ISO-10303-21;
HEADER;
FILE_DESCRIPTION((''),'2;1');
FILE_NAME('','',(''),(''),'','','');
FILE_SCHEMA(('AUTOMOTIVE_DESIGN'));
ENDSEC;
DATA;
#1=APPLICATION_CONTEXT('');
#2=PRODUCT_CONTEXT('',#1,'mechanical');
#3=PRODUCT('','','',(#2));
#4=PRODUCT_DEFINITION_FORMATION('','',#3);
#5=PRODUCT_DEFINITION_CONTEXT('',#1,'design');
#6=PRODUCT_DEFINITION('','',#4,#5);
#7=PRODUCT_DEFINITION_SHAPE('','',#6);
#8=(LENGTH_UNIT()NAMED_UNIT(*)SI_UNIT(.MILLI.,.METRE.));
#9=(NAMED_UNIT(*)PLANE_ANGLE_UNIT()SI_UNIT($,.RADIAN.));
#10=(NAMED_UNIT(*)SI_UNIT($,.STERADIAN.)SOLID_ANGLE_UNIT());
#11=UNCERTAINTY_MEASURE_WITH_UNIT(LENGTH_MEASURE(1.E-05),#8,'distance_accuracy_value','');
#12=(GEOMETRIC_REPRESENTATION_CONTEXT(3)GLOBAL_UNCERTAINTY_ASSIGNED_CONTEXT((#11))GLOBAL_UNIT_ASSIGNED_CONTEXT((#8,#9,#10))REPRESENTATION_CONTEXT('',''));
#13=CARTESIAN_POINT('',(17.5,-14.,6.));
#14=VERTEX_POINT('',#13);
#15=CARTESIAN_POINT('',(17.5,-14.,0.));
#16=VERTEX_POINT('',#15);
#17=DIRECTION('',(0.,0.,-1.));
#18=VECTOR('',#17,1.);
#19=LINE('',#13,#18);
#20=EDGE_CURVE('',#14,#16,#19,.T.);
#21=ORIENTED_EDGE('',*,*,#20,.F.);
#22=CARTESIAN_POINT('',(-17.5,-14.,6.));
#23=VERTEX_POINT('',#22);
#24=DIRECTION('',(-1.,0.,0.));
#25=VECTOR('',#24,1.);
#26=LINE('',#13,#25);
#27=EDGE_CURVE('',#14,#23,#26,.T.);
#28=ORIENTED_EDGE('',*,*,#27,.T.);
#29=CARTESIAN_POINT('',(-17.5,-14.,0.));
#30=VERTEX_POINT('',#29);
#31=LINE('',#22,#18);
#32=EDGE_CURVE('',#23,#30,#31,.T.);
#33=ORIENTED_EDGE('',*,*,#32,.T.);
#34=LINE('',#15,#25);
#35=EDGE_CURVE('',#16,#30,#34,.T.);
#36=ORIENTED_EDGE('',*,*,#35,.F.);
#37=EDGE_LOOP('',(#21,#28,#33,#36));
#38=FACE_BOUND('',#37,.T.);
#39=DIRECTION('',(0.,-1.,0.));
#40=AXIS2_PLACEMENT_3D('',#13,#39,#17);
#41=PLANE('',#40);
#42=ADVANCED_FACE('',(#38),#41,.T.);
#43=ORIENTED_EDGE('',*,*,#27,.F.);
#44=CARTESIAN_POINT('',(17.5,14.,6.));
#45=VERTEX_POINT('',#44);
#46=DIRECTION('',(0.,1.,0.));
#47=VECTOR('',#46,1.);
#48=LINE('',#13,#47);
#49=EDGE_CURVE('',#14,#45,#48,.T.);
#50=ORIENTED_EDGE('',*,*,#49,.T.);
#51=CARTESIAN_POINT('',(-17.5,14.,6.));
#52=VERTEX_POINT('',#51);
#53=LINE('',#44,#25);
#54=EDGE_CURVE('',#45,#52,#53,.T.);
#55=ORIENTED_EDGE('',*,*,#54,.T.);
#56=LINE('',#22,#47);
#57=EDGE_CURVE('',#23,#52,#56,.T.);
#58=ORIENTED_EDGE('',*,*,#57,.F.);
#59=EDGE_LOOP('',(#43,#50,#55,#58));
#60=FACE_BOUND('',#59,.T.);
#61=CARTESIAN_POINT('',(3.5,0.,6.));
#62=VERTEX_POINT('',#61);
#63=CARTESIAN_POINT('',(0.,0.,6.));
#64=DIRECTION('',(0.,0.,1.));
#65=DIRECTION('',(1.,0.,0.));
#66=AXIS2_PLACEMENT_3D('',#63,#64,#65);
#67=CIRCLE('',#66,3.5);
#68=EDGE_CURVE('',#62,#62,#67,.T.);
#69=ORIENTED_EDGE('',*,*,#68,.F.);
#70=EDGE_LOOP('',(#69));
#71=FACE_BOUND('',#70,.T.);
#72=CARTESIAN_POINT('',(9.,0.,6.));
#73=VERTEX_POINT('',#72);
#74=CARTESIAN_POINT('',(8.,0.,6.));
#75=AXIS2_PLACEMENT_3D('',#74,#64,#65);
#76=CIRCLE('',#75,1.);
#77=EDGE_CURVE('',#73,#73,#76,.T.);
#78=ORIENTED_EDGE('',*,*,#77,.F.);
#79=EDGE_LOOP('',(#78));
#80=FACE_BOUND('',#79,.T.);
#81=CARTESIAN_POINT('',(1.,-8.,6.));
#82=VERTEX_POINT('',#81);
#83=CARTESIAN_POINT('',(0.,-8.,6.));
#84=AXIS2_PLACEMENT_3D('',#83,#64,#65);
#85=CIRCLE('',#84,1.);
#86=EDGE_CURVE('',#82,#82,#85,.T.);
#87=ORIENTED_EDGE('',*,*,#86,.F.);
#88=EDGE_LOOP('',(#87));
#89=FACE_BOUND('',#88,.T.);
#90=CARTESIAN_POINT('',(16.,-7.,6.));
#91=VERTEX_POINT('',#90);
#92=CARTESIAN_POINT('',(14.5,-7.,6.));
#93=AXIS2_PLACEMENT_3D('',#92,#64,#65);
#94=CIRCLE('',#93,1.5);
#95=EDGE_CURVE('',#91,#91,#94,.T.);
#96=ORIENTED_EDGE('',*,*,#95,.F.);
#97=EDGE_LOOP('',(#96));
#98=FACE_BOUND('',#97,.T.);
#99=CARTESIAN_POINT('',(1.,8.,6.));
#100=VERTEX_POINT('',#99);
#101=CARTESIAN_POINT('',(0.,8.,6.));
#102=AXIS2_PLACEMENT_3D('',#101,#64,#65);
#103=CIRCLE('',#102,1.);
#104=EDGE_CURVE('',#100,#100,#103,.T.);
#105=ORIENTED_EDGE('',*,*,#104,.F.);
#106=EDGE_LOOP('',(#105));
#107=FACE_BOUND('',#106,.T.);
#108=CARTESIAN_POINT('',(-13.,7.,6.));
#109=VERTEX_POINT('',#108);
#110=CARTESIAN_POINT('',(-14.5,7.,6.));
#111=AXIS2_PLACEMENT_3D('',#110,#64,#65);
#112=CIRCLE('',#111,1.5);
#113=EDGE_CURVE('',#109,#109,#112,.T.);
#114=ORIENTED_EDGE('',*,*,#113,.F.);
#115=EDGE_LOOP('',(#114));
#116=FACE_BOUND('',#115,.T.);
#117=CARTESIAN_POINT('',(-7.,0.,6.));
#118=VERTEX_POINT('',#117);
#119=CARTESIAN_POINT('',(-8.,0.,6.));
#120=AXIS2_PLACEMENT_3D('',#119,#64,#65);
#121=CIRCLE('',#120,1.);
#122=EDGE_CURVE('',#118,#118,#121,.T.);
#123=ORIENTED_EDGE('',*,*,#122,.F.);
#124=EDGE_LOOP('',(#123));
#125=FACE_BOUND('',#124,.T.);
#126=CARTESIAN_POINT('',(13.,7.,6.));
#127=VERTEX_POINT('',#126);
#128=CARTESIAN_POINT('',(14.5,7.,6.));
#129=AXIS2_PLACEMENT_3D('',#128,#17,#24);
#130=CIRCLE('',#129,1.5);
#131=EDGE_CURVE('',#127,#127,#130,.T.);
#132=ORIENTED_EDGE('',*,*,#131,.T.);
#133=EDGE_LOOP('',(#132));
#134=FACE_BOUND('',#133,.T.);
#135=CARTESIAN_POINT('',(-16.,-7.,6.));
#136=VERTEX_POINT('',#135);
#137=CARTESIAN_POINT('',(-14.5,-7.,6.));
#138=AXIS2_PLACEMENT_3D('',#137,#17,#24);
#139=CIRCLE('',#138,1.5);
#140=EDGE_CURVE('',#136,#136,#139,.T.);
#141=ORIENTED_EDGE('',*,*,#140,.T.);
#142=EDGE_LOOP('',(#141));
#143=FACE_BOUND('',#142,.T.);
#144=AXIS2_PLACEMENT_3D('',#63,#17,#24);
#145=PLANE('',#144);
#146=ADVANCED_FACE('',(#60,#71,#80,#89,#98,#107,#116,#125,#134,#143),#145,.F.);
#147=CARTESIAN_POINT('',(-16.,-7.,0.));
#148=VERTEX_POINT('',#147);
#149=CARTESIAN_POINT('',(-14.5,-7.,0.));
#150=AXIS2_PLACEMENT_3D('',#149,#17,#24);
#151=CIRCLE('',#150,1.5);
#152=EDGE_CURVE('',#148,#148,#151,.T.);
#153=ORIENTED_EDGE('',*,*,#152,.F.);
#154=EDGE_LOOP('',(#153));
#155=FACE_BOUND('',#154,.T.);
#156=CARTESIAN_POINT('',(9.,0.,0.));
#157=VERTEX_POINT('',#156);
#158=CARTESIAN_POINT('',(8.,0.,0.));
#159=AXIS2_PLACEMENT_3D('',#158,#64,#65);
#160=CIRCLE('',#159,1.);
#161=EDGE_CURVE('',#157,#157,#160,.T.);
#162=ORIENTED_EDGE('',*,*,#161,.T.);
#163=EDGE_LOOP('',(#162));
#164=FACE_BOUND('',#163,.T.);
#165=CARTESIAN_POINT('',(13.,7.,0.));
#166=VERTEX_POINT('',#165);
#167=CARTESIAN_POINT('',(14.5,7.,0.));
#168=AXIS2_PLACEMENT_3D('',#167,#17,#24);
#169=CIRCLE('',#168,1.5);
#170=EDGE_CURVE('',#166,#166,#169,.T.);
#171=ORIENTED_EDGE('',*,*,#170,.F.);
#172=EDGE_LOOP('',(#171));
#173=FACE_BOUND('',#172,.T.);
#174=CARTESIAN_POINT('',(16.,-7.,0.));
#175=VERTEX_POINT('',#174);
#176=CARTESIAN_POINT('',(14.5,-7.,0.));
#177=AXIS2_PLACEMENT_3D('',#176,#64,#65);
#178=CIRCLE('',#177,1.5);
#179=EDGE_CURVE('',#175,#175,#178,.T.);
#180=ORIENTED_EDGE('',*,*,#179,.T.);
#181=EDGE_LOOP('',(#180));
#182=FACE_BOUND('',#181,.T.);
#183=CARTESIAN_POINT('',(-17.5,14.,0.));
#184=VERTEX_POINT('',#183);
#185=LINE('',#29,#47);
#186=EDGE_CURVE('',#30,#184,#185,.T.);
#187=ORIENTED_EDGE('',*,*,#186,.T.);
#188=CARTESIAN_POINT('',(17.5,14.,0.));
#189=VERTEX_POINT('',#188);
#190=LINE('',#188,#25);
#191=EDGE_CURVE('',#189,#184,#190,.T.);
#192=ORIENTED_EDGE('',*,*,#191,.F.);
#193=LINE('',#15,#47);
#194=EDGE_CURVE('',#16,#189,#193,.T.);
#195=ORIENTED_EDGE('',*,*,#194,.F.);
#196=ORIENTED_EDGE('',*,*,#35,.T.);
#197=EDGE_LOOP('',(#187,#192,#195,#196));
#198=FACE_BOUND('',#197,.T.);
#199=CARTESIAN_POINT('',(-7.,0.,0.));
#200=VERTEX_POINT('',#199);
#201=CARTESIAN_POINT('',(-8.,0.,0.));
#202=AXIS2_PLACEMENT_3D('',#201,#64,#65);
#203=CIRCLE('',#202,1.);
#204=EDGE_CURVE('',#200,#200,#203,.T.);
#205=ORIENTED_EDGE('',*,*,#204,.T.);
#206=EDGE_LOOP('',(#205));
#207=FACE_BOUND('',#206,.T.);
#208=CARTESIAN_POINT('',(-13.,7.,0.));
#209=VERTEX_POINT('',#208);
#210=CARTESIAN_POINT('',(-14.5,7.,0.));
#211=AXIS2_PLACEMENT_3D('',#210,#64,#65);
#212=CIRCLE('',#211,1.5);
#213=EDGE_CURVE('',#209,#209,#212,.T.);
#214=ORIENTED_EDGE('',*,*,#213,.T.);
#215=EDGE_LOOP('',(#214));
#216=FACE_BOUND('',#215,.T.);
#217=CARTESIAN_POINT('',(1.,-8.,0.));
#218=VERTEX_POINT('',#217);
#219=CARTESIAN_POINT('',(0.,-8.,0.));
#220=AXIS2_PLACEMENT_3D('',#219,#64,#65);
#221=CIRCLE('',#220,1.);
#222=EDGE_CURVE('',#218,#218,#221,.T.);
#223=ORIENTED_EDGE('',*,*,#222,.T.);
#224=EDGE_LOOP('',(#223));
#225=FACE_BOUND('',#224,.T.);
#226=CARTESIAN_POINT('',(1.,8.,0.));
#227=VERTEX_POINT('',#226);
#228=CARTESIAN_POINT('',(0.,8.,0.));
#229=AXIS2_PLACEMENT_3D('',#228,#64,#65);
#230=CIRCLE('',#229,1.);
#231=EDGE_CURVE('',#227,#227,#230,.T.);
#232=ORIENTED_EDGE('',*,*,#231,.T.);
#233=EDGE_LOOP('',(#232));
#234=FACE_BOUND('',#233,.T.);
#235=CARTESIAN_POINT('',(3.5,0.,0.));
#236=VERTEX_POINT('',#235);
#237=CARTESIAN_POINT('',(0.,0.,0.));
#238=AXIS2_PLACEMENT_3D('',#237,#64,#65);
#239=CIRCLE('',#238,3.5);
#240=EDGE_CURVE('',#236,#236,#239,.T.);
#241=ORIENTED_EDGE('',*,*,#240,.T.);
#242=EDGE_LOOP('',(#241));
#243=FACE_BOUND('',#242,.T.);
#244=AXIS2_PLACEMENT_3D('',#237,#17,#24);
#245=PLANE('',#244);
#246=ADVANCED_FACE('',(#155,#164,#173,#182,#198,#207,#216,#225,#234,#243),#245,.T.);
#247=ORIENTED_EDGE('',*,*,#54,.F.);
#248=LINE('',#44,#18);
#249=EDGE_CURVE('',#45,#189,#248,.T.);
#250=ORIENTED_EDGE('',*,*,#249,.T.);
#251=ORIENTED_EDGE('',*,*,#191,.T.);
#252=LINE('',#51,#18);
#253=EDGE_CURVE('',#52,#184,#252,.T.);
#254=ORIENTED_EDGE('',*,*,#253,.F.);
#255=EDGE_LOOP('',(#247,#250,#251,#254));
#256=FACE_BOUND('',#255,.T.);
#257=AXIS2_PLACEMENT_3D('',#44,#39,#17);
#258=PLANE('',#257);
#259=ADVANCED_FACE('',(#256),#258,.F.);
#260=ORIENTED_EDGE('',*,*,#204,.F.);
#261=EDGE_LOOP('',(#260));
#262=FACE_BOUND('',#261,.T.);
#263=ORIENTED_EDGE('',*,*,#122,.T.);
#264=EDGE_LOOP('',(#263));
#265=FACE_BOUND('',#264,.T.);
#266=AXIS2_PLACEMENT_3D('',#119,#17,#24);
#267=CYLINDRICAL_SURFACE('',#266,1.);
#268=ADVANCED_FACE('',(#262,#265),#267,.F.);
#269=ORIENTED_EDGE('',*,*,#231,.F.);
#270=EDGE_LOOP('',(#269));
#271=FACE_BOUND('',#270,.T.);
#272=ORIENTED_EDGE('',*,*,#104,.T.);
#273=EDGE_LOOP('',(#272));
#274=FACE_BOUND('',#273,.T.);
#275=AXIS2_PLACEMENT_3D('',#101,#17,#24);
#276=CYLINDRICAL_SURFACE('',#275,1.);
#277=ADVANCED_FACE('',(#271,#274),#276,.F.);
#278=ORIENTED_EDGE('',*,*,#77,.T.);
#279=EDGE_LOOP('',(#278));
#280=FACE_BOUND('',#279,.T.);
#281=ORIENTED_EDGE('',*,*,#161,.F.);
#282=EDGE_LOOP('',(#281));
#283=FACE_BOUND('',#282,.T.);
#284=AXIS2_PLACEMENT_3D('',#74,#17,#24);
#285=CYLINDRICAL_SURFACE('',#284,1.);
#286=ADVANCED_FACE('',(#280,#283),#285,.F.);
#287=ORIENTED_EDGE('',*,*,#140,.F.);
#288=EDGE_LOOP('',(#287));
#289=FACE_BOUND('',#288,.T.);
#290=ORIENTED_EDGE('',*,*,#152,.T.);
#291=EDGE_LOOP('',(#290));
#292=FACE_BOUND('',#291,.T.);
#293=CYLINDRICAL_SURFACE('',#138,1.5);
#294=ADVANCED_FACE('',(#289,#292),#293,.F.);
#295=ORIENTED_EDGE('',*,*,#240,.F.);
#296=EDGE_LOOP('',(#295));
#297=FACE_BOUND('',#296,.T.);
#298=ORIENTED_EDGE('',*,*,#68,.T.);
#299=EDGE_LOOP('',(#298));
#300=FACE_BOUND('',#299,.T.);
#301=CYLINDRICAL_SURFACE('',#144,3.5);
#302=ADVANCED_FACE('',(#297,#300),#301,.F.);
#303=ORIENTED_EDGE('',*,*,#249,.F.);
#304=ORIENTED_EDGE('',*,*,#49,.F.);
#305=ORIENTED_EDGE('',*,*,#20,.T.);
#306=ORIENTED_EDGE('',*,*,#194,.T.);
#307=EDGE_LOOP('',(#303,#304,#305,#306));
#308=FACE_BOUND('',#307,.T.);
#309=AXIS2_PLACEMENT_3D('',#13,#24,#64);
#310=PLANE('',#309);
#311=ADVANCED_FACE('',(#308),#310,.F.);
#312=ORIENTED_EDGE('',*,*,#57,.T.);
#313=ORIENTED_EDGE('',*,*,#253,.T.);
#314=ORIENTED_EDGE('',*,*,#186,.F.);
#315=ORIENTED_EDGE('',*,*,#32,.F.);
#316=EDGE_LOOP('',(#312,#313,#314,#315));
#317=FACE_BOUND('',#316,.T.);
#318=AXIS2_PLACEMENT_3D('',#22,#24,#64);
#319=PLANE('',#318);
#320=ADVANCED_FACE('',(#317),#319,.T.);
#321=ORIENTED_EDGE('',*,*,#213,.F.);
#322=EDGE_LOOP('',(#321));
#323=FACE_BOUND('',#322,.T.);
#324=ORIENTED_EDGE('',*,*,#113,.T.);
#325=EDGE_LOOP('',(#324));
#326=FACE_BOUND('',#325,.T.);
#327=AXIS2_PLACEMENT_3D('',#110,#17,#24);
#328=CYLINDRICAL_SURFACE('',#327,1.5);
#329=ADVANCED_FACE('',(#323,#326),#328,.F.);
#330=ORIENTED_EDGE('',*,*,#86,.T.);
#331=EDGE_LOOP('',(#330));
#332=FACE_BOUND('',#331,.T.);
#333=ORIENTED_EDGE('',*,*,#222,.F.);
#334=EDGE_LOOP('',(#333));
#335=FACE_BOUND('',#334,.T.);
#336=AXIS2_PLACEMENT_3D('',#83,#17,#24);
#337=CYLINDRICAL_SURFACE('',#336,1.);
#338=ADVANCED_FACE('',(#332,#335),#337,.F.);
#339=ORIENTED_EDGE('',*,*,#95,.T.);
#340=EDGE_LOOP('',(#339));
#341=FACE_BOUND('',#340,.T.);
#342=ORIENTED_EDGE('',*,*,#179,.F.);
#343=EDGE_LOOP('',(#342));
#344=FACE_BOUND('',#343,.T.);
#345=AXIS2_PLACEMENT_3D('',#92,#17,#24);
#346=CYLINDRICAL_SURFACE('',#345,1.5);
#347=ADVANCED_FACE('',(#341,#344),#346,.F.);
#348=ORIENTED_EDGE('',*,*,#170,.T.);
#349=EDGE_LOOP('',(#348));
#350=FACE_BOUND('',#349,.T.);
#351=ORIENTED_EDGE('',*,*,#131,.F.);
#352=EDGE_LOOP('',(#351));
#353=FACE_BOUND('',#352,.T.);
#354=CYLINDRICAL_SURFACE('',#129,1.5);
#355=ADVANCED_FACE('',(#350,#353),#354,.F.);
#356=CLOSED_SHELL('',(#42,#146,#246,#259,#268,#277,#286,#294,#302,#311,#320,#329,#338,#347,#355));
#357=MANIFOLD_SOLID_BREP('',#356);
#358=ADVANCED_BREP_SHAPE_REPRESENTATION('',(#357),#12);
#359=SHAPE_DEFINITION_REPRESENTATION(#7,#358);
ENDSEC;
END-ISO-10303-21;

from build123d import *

# Parameters (mm, degrees)
ESQUISSE1_W        = 35
ESQUISSE1_H        = 28
ESQUISSE1_R        = 3.5
ESQUISSE1_R_2      = 1
ESQUISSE1_R_3      = 1.5
BOSS_EXTRU_1_DEPTH = 6


with BuildPart() as part:
    # Esquisse1 → Boss.-Extru.1 (new body)
    with BuildSketch(Plane.XY):
        Rectangle(ESQUISSE1_W, ESQUISSE1_H)
        Circle(ESQUISSE1_R, mode=Mode.SUBTRACT)
        with Locations((0, 8)):
            Circle(ESQUISSE1_R_2, mode=Mode.SUBTRACT)
        with Locations((8, 0)):
            Circle(ESQUISSE1_R_2, mode=Mode.SUBTRACT)
        with Locations((0, -8)):
            Circle(ESQUISSE1_R_2, mode=Mode.SUBTRACT)
        with Locations((-8, 0)):
            Circle(ESQUISSE1_R_2, mode=Mode.SUBTRACT)
        with Locations((-14.5, 7)):
            Circle(ESQUISSE1_R_3, mode=Mode.SUBTRACT)
        with Locations(Location((-14.5, -7, 0), (0, 0, 180))):
            Circle(ESQUISSE1_R_3, mode=Mode.SUBTRACT)
        with Locations((14.5, -7)):
            Circle(ESQUISSE1_R_3, mode=Mode.SUBTRACT)
        with Locations(Location((14.5, 7, 0), (0, 0, 180))):
            Circle(ESQUISSE1_R_3, mode=Mode.SUBTRACT)
    extrude(amount=BOSS_EXTRU_1_DEPTH)


solid = part.part
